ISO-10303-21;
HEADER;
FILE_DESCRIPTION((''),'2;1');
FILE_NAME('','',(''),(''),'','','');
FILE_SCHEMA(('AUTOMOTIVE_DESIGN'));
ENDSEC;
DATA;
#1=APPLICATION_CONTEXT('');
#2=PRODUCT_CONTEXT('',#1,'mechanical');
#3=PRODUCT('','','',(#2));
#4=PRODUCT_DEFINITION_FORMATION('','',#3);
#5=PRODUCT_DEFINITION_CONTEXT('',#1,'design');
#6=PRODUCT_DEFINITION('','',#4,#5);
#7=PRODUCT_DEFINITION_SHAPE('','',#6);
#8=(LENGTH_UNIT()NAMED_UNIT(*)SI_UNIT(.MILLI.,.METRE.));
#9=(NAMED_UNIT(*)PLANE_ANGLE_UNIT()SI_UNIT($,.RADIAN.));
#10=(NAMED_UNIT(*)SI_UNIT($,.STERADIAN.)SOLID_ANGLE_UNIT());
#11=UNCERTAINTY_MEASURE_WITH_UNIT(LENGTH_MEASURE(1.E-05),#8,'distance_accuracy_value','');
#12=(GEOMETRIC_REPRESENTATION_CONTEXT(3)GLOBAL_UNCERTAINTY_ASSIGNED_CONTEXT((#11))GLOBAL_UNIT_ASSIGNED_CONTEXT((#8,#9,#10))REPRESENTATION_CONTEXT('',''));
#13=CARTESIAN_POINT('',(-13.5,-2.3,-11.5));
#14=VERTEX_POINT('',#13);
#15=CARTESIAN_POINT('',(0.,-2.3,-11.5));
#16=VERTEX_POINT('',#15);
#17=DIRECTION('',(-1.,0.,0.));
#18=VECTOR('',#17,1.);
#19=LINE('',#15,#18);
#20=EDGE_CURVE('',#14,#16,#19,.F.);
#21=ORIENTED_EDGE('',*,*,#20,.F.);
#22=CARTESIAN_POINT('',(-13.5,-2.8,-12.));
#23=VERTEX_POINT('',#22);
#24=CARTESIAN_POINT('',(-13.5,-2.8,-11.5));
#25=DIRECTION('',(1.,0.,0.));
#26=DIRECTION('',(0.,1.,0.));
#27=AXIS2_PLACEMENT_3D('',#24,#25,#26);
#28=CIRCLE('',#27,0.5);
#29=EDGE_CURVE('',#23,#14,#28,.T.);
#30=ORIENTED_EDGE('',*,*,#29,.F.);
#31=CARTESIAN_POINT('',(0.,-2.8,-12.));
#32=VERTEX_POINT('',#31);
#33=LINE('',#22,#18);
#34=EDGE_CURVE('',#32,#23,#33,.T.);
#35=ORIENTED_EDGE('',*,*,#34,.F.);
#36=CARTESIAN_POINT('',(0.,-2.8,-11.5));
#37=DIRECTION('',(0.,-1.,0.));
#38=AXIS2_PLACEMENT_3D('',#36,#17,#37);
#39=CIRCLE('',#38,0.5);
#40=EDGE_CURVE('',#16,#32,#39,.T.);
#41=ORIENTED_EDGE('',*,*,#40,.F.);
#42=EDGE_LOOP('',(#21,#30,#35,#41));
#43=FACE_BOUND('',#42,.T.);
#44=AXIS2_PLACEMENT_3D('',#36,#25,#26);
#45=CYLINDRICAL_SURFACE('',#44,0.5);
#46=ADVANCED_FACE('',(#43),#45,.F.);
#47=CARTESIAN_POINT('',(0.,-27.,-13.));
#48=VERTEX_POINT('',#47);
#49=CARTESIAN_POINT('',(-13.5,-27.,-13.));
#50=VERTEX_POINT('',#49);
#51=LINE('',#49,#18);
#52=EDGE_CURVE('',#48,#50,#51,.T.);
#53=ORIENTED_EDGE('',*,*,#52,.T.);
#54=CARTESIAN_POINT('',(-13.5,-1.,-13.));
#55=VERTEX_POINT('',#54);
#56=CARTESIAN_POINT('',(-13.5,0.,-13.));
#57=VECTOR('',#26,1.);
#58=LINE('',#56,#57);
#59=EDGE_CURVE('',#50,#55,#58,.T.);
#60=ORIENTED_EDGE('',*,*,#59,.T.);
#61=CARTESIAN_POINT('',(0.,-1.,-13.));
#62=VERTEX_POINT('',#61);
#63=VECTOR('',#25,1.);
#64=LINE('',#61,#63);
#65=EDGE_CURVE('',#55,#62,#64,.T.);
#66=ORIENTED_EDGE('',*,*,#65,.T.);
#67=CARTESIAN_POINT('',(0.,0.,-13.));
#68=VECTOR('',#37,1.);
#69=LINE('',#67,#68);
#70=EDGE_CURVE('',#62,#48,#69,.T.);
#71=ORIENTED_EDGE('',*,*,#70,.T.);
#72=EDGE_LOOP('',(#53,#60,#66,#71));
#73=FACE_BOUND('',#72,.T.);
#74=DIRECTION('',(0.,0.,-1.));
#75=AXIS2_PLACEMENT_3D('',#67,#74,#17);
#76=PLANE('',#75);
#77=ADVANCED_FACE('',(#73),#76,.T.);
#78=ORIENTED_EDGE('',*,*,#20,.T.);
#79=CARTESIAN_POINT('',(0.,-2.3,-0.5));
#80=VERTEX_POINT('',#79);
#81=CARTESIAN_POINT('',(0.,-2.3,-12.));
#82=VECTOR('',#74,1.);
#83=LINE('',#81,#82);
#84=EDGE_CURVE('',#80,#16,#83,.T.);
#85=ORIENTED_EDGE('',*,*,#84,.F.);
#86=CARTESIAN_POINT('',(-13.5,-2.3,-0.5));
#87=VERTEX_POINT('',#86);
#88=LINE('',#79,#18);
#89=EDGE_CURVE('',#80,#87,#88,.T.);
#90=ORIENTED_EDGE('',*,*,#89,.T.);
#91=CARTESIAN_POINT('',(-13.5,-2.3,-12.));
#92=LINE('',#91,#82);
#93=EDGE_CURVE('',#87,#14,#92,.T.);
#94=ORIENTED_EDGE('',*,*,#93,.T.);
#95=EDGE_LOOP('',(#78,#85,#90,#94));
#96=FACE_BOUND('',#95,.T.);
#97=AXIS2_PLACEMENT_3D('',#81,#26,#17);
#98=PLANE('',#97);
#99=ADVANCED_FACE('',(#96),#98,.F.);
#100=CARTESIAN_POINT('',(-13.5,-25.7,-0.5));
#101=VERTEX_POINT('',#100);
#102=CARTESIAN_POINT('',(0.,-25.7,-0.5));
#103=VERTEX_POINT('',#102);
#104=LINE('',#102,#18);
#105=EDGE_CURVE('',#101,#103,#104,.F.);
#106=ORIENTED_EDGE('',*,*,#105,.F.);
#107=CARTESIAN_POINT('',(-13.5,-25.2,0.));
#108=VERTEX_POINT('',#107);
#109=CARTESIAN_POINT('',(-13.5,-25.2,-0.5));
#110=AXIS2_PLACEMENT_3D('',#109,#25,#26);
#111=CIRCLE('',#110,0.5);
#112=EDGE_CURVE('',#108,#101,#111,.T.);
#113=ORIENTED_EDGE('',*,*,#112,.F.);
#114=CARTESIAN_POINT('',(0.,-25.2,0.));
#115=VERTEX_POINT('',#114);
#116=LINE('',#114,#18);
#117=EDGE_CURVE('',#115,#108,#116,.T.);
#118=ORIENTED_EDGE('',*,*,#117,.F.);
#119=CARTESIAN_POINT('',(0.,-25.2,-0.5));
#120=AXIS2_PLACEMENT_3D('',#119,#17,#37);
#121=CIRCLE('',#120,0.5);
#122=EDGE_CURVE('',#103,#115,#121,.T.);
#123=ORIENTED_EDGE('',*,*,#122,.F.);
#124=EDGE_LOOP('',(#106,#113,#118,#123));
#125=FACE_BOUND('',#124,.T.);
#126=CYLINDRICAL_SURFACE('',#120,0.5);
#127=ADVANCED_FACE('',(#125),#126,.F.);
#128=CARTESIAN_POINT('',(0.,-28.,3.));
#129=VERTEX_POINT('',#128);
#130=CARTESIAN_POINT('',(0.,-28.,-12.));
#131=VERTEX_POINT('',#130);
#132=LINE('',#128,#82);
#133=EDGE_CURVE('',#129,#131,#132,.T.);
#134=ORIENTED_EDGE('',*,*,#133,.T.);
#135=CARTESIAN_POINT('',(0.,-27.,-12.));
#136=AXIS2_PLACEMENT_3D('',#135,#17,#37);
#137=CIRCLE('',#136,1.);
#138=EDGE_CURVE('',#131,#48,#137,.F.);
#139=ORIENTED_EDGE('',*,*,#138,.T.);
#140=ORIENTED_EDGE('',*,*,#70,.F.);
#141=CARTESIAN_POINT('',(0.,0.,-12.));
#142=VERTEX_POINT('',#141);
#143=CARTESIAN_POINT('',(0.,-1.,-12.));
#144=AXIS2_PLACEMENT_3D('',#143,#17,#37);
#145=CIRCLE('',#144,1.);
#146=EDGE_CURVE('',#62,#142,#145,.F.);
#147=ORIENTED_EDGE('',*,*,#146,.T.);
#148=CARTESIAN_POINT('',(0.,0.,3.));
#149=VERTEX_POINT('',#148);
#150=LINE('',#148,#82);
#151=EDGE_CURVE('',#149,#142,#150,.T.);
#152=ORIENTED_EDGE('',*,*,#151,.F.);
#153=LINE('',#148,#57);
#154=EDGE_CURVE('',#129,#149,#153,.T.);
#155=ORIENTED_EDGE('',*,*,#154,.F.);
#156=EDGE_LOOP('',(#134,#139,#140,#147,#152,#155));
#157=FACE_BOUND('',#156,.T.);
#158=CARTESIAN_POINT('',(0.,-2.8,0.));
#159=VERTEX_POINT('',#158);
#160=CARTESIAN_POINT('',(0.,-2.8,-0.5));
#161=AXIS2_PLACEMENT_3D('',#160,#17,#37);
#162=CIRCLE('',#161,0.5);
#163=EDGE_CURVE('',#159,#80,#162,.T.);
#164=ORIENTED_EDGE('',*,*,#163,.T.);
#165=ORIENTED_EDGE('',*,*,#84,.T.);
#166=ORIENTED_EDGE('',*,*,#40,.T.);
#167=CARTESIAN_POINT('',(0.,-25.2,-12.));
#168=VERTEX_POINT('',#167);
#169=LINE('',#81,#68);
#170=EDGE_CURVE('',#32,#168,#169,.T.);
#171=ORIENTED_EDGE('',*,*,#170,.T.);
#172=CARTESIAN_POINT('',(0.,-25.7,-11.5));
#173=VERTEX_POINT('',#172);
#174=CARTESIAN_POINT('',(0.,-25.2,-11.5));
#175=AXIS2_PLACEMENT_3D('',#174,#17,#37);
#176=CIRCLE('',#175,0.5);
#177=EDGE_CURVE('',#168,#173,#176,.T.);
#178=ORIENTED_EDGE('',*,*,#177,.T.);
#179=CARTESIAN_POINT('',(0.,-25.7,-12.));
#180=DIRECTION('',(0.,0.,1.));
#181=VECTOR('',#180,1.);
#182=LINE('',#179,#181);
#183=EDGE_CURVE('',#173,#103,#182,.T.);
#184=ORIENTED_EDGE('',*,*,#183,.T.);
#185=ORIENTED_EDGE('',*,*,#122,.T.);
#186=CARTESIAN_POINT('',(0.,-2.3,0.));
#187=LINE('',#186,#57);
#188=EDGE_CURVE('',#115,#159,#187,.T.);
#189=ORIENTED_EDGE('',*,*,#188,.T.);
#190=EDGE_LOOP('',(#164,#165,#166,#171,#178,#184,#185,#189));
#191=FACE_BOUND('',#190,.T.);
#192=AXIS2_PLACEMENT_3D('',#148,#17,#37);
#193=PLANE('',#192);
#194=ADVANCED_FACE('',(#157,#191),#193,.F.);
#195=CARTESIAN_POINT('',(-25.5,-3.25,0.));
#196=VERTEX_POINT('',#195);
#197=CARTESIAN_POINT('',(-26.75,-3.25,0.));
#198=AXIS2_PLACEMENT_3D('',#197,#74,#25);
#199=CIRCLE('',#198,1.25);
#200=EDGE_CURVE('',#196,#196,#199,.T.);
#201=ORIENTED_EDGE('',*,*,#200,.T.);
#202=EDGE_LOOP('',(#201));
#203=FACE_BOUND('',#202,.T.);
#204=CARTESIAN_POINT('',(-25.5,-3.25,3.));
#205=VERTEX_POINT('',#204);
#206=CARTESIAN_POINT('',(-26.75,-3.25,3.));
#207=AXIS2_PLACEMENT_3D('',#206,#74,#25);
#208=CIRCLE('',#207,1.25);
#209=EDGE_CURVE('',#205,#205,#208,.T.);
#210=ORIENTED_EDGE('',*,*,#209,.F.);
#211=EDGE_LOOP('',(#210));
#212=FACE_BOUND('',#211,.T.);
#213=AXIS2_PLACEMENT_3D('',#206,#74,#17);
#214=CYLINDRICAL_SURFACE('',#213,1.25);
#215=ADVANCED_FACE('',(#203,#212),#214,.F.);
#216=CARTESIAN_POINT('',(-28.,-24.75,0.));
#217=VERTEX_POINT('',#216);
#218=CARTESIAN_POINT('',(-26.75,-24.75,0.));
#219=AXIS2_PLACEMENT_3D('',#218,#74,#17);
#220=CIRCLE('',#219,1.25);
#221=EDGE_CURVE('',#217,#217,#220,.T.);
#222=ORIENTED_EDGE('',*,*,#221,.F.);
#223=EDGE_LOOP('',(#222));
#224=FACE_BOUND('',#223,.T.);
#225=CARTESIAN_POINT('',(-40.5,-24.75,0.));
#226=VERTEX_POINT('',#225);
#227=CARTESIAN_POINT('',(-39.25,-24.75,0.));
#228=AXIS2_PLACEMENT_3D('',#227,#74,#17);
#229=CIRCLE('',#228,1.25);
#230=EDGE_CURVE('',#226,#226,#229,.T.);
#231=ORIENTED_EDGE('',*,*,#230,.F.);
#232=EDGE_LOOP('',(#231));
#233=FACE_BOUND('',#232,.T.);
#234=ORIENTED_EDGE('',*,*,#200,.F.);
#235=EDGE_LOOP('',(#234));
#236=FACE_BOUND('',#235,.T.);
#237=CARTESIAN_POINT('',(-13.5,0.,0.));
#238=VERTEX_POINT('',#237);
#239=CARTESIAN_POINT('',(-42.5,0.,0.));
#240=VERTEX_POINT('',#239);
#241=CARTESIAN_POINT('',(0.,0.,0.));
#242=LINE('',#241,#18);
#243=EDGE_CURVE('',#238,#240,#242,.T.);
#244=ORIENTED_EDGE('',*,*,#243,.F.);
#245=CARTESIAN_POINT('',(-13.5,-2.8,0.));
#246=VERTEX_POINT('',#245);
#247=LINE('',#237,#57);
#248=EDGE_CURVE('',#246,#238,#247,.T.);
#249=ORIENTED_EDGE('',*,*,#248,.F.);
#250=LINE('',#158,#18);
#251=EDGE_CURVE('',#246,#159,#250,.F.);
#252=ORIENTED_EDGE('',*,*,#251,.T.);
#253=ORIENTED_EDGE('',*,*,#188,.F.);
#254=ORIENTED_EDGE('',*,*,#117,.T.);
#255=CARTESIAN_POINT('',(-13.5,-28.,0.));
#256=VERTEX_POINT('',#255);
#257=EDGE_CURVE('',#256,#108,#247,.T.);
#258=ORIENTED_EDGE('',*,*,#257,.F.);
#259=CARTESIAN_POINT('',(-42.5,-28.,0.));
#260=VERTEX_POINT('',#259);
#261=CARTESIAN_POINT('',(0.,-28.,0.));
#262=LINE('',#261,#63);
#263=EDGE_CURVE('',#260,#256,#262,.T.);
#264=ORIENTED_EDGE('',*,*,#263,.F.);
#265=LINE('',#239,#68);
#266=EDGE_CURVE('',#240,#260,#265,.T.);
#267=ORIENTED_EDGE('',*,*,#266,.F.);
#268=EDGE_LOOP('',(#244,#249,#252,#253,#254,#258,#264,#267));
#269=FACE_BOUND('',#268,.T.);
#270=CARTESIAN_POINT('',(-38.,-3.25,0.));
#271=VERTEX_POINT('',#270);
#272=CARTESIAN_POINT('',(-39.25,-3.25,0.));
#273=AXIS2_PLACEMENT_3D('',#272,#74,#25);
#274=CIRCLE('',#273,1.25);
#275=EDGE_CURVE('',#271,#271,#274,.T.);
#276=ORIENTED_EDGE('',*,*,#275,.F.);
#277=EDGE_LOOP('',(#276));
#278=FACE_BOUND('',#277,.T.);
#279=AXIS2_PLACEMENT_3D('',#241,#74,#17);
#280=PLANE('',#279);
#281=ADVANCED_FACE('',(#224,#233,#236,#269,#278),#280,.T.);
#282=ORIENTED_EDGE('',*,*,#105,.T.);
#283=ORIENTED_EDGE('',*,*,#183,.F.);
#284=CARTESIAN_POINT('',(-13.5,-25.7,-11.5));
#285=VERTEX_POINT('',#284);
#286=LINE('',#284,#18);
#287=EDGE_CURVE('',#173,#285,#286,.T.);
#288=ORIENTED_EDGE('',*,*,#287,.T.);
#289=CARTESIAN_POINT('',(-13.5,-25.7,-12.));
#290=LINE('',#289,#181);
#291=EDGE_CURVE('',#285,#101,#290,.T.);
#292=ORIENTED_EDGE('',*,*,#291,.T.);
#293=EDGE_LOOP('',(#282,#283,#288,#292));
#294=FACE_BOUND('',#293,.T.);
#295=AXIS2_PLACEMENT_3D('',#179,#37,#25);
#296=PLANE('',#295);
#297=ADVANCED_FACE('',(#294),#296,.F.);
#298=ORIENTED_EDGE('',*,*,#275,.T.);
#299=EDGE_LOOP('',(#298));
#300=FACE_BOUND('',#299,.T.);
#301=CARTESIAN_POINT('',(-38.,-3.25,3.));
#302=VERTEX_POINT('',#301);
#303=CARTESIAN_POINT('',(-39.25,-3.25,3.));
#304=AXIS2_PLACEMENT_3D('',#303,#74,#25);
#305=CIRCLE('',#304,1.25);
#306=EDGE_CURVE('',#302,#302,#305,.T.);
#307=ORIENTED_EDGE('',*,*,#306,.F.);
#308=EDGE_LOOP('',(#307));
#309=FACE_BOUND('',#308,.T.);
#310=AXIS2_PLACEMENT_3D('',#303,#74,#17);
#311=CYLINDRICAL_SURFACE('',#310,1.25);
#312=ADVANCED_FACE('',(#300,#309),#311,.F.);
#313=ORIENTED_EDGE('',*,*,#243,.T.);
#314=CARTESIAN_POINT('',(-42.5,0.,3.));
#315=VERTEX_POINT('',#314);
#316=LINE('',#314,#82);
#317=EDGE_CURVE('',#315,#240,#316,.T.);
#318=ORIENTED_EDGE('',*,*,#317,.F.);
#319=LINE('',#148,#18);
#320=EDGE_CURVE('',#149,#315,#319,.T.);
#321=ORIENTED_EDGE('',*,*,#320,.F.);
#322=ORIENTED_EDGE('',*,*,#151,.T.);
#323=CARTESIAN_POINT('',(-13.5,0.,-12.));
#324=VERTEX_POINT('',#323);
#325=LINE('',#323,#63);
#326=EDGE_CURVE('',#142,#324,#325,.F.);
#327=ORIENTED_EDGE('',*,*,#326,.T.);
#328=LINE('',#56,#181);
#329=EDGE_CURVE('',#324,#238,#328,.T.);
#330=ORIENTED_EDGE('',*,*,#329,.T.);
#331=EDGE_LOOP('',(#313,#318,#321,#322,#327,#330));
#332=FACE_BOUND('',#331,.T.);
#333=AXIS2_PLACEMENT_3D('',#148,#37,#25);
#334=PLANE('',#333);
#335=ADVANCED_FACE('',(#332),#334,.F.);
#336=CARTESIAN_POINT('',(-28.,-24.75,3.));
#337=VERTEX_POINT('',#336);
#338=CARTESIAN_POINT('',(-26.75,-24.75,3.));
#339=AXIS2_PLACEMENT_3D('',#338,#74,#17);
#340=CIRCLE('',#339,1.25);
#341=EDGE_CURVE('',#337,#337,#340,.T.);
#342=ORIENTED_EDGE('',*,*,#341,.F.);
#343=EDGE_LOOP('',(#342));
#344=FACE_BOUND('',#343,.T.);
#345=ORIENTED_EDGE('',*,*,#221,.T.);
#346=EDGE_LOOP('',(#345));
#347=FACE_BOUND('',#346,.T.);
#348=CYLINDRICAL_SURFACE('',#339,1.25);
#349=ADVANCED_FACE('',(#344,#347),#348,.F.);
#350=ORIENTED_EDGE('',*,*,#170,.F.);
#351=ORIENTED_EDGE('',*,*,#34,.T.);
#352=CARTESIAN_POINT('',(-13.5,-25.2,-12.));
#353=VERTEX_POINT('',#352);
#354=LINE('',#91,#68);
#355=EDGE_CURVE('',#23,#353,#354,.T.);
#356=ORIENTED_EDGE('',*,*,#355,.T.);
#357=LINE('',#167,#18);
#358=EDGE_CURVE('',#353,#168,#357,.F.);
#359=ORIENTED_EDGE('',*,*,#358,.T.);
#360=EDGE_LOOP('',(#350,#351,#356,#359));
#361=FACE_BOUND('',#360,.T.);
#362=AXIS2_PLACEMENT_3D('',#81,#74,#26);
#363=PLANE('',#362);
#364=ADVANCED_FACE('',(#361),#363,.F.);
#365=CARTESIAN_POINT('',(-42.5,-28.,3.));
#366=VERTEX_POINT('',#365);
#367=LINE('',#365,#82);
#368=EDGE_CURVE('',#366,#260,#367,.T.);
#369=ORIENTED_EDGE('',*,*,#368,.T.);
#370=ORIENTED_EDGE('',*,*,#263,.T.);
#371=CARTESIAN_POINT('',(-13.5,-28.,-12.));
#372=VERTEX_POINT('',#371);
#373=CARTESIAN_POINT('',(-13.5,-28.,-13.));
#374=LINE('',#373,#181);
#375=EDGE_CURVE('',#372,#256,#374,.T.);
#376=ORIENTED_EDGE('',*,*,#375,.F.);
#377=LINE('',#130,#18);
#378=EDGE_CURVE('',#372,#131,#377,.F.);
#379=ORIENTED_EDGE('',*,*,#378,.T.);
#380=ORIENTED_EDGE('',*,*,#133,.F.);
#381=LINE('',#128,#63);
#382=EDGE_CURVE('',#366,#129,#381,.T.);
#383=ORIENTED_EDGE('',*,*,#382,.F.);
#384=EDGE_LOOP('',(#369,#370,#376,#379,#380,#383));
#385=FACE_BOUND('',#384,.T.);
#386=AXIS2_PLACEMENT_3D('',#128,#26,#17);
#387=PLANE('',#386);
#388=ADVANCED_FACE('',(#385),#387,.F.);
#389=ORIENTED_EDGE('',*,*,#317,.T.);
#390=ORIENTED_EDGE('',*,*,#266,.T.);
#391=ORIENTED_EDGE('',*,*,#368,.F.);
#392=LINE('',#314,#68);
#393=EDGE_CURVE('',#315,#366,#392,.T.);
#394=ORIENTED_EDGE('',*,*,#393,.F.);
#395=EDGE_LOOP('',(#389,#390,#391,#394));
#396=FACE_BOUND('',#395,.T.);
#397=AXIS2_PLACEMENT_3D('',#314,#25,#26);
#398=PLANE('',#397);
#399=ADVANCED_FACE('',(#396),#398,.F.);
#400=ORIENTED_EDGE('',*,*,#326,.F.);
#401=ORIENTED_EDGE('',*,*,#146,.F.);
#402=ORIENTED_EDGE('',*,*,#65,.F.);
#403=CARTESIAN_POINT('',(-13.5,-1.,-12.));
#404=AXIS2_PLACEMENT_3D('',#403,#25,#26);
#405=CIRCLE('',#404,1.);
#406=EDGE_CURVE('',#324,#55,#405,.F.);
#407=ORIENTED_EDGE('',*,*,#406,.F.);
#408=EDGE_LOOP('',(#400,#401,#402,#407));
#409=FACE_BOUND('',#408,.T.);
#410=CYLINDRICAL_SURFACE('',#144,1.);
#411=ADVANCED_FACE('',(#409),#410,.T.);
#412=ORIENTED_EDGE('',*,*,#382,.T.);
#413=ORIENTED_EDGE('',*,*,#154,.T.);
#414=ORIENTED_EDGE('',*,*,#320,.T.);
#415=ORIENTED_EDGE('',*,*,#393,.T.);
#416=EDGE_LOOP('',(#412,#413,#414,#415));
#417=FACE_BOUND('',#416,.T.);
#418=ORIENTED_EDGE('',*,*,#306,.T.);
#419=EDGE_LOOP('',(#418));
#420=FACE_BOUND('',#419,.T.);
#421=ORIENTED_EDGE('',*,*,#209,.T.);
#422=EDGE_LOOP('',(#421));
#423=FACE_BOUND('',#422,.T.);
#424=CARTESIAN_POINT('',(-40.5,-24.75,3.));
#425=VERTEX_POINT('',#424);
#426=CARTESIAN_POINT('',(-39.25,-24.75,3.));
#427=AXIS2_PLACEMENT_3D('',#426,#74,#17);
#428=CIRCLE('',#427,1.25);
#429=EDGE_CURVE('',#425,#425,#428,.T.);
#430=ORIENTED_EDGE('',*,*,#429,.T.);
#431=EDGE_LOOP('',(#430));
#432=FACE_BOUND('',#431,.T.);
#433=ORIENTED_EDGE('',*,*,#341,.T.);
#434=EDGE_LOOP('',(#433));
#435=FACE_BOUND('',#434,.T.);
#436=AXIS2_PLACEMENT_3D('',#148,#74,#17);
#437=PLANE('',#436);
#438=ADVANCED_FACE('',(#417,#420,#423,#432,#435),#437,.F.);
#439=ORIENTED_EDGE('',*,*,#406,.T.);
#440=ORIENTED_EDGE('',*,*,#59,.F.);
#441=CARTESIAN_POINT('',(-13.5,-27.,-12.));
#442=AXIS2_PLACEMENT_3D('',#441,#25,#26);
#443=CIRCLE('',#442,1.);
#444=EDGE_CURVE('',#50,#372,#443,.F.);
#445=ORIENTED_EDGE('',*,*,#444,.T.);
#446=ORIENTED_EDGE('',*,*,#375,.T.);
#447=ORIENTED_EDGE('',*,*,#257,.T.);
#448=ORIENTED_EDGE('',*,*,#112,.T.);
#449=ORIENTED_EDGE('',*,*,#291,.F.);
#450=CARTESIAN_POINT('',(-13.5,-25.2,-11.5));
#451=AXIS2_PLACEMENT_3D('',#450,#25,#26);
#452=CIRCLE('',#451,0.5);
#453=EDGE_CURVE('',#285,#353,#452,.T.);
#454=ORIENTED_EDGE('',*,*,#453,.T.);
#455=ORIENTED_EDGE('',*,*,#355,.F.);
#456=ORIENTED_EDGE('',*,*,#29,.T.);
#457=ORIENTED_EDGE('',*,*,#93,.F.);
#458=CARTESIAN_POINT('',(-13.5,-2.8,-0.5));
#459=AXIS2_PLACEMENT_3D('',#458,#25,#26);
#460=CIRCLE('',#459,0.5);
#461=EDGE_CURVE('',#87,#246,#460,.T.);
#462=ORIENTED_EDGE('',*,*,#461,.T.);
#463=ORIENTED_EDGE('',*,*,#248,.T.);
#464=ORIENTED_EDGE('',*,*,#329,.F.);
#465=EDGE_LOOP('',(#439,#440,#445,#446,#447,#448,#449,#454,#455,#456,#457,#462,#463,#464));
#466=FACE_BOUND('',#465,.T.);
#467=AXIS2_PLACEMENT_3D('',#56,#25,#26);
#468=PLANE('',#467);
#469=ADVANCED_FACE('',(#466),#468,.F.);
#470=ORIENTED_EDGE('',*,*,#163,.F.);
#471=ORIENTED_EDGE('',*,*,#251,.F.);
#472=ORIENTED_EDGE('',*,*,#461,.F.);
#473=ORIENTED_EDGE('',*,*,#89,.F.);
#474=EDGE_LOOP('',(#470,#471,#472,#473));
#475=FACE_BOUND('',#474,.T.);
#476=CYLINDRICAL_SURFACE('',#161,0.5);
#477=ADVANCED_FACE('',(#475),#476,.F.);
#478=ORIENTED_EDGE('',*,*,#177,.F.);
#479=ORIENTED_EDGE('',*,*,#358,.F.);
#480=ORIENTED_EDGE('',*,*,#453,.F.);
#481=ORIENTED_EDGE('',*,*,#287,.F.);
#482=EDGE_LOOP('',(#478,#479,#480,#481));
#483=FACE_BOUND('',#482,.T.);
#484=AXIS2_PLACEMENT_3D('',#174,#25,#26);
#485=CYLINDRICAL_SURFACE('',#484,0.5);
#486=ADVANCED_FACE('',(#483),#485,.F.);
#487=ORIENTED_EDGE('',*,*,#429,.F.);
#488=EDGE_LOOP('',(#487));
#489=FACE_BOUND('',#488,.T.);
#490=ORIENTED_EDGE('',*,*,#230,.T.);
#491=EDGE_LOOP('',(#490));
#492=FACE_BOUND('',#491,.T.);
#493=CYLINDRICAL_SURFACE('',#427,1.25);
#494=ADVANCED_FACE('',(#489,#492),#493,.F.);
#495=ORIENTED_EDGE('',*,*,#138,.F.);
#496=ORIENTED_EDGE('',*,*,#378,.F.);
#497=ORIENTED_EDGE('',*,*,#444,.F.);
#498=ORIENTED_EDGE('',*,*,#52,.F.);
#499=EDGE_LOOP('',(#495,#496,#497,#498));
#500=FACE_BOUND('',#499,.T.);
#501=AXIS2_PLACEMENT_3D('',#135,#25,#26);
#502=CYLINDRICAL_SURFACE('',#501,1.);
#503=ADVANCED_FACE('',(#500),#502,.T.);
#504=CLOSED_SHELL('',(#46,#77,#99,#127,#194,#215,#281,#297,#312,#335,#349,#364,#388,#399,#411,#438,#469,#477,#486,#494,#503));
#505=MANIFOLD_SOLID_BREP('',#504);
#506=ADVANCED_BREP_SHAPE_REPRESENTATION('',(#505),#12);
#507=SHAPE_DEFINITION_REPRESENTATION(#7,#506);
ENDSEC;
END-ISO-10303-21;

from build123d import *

# Parameters (mm, degrees)
ESQUISSE1_W             = 42.5
ESQUISSE1_H             = 28
BOSS_EXTRU_1_DEPTH      = 3
ESQUISSE2_R             = 1.25
ENL_V_MAT_EXTRU_1_DEPTH = 3
ESQUISSE3_W             = 13.5
ESQUISSE3_H             = 28
BOSS_EXTRU_2_DEPTH      = 13
ESQUISSE4_W             = 12
ESQUISSE4_H             = 23.4
ENL_V_MAT_EXTRU_2_DEPTH = 43.355637169
CONG_1_R                = 0.5
CONG_2_R                = 1


with BuildPart() as part:
    # Esquisse1 → Boss.-Extru.1 (new body)
    with BuildSketch(Plane.XY):
        with Locations((-21.25, -14)):
            Rectangle(ESQUISSE1_W, ESQUISSE1_H)
    extrude(amount=BOSS_EXTRU_1_DEPTH)

    # Esquisse2 → Enlèv. mat.-Extru.1 (cut)
    with BuildSketch(Plane(origin=(0, 0, 0), x_dir=(-1, 0, 0), z_dir=(0, 0, -1))):
        with Locations((39.25, -24.75)):
            Circle(ESQUISSE2_R)
        with Locations((26.75, -24.75)):
            Circle(ESQUISSE2_R)
        with Locations(Location((39.25, -3.25, 0), (0, 0, 180))):
            Circle(ESQUISSE2_R)
        with Locations(Location((26.75, -3.25, 0), (0, 0, 180))):
            Circle(ESQUISSE2_R)
    extrude(amount=-ENL_V_MAT_EXTRU_1_DEPTH, mode=Mode.SUBTRACT)

    # Esquisse3 → Boss.-Extru.2 (add)
    with BuildSketch(Plane(origin=(0, 0, 0), x_dir=(-1, 0, 0), z_dir=(0, 0, -1))):
        with Locations((6.75, -14)):
            Rectangle(ESQUISSE3_W, ESQUISSE3_H)
    extrude(amount=BOSS_EXTRU_2_DEPTH)

    # Esquisse4 → Enlèv. mat.-Extru.2 (cut, through all)
    with BuildSketch(Plane.ZY.offset(13.5)):
        with Locations((-6, -14)):
            Rectangle(ESQUISSE4_W, ESQUISSE4_H)
    extrude(amount=-ENL_V_MAT_EXTRU_2_DEPTH, mode=Mode.SUBTRACT)

    # Congé1
    cong_1_edges = [part.edges().sort_by_distance(p)[0] for p in [
        (-6.75, -25.7, -12),
        (-6.75, -2.3, -12),
        (-6.75, -2.3, 0),
        (-6.75, -25.7, 0),
    ]]
    fillet(cong_1_edges, radius=CONG_1_R)

    # Congé2
    cong_2_edges = [part.edges().sort_by_distance(p)[0] for p in [
        (-6.75, -28, -13),
        (-6.75, 0, -13),
    ]]
    fillet(cong_2_edges, radius=CONG_2_R)


solid = part.part
